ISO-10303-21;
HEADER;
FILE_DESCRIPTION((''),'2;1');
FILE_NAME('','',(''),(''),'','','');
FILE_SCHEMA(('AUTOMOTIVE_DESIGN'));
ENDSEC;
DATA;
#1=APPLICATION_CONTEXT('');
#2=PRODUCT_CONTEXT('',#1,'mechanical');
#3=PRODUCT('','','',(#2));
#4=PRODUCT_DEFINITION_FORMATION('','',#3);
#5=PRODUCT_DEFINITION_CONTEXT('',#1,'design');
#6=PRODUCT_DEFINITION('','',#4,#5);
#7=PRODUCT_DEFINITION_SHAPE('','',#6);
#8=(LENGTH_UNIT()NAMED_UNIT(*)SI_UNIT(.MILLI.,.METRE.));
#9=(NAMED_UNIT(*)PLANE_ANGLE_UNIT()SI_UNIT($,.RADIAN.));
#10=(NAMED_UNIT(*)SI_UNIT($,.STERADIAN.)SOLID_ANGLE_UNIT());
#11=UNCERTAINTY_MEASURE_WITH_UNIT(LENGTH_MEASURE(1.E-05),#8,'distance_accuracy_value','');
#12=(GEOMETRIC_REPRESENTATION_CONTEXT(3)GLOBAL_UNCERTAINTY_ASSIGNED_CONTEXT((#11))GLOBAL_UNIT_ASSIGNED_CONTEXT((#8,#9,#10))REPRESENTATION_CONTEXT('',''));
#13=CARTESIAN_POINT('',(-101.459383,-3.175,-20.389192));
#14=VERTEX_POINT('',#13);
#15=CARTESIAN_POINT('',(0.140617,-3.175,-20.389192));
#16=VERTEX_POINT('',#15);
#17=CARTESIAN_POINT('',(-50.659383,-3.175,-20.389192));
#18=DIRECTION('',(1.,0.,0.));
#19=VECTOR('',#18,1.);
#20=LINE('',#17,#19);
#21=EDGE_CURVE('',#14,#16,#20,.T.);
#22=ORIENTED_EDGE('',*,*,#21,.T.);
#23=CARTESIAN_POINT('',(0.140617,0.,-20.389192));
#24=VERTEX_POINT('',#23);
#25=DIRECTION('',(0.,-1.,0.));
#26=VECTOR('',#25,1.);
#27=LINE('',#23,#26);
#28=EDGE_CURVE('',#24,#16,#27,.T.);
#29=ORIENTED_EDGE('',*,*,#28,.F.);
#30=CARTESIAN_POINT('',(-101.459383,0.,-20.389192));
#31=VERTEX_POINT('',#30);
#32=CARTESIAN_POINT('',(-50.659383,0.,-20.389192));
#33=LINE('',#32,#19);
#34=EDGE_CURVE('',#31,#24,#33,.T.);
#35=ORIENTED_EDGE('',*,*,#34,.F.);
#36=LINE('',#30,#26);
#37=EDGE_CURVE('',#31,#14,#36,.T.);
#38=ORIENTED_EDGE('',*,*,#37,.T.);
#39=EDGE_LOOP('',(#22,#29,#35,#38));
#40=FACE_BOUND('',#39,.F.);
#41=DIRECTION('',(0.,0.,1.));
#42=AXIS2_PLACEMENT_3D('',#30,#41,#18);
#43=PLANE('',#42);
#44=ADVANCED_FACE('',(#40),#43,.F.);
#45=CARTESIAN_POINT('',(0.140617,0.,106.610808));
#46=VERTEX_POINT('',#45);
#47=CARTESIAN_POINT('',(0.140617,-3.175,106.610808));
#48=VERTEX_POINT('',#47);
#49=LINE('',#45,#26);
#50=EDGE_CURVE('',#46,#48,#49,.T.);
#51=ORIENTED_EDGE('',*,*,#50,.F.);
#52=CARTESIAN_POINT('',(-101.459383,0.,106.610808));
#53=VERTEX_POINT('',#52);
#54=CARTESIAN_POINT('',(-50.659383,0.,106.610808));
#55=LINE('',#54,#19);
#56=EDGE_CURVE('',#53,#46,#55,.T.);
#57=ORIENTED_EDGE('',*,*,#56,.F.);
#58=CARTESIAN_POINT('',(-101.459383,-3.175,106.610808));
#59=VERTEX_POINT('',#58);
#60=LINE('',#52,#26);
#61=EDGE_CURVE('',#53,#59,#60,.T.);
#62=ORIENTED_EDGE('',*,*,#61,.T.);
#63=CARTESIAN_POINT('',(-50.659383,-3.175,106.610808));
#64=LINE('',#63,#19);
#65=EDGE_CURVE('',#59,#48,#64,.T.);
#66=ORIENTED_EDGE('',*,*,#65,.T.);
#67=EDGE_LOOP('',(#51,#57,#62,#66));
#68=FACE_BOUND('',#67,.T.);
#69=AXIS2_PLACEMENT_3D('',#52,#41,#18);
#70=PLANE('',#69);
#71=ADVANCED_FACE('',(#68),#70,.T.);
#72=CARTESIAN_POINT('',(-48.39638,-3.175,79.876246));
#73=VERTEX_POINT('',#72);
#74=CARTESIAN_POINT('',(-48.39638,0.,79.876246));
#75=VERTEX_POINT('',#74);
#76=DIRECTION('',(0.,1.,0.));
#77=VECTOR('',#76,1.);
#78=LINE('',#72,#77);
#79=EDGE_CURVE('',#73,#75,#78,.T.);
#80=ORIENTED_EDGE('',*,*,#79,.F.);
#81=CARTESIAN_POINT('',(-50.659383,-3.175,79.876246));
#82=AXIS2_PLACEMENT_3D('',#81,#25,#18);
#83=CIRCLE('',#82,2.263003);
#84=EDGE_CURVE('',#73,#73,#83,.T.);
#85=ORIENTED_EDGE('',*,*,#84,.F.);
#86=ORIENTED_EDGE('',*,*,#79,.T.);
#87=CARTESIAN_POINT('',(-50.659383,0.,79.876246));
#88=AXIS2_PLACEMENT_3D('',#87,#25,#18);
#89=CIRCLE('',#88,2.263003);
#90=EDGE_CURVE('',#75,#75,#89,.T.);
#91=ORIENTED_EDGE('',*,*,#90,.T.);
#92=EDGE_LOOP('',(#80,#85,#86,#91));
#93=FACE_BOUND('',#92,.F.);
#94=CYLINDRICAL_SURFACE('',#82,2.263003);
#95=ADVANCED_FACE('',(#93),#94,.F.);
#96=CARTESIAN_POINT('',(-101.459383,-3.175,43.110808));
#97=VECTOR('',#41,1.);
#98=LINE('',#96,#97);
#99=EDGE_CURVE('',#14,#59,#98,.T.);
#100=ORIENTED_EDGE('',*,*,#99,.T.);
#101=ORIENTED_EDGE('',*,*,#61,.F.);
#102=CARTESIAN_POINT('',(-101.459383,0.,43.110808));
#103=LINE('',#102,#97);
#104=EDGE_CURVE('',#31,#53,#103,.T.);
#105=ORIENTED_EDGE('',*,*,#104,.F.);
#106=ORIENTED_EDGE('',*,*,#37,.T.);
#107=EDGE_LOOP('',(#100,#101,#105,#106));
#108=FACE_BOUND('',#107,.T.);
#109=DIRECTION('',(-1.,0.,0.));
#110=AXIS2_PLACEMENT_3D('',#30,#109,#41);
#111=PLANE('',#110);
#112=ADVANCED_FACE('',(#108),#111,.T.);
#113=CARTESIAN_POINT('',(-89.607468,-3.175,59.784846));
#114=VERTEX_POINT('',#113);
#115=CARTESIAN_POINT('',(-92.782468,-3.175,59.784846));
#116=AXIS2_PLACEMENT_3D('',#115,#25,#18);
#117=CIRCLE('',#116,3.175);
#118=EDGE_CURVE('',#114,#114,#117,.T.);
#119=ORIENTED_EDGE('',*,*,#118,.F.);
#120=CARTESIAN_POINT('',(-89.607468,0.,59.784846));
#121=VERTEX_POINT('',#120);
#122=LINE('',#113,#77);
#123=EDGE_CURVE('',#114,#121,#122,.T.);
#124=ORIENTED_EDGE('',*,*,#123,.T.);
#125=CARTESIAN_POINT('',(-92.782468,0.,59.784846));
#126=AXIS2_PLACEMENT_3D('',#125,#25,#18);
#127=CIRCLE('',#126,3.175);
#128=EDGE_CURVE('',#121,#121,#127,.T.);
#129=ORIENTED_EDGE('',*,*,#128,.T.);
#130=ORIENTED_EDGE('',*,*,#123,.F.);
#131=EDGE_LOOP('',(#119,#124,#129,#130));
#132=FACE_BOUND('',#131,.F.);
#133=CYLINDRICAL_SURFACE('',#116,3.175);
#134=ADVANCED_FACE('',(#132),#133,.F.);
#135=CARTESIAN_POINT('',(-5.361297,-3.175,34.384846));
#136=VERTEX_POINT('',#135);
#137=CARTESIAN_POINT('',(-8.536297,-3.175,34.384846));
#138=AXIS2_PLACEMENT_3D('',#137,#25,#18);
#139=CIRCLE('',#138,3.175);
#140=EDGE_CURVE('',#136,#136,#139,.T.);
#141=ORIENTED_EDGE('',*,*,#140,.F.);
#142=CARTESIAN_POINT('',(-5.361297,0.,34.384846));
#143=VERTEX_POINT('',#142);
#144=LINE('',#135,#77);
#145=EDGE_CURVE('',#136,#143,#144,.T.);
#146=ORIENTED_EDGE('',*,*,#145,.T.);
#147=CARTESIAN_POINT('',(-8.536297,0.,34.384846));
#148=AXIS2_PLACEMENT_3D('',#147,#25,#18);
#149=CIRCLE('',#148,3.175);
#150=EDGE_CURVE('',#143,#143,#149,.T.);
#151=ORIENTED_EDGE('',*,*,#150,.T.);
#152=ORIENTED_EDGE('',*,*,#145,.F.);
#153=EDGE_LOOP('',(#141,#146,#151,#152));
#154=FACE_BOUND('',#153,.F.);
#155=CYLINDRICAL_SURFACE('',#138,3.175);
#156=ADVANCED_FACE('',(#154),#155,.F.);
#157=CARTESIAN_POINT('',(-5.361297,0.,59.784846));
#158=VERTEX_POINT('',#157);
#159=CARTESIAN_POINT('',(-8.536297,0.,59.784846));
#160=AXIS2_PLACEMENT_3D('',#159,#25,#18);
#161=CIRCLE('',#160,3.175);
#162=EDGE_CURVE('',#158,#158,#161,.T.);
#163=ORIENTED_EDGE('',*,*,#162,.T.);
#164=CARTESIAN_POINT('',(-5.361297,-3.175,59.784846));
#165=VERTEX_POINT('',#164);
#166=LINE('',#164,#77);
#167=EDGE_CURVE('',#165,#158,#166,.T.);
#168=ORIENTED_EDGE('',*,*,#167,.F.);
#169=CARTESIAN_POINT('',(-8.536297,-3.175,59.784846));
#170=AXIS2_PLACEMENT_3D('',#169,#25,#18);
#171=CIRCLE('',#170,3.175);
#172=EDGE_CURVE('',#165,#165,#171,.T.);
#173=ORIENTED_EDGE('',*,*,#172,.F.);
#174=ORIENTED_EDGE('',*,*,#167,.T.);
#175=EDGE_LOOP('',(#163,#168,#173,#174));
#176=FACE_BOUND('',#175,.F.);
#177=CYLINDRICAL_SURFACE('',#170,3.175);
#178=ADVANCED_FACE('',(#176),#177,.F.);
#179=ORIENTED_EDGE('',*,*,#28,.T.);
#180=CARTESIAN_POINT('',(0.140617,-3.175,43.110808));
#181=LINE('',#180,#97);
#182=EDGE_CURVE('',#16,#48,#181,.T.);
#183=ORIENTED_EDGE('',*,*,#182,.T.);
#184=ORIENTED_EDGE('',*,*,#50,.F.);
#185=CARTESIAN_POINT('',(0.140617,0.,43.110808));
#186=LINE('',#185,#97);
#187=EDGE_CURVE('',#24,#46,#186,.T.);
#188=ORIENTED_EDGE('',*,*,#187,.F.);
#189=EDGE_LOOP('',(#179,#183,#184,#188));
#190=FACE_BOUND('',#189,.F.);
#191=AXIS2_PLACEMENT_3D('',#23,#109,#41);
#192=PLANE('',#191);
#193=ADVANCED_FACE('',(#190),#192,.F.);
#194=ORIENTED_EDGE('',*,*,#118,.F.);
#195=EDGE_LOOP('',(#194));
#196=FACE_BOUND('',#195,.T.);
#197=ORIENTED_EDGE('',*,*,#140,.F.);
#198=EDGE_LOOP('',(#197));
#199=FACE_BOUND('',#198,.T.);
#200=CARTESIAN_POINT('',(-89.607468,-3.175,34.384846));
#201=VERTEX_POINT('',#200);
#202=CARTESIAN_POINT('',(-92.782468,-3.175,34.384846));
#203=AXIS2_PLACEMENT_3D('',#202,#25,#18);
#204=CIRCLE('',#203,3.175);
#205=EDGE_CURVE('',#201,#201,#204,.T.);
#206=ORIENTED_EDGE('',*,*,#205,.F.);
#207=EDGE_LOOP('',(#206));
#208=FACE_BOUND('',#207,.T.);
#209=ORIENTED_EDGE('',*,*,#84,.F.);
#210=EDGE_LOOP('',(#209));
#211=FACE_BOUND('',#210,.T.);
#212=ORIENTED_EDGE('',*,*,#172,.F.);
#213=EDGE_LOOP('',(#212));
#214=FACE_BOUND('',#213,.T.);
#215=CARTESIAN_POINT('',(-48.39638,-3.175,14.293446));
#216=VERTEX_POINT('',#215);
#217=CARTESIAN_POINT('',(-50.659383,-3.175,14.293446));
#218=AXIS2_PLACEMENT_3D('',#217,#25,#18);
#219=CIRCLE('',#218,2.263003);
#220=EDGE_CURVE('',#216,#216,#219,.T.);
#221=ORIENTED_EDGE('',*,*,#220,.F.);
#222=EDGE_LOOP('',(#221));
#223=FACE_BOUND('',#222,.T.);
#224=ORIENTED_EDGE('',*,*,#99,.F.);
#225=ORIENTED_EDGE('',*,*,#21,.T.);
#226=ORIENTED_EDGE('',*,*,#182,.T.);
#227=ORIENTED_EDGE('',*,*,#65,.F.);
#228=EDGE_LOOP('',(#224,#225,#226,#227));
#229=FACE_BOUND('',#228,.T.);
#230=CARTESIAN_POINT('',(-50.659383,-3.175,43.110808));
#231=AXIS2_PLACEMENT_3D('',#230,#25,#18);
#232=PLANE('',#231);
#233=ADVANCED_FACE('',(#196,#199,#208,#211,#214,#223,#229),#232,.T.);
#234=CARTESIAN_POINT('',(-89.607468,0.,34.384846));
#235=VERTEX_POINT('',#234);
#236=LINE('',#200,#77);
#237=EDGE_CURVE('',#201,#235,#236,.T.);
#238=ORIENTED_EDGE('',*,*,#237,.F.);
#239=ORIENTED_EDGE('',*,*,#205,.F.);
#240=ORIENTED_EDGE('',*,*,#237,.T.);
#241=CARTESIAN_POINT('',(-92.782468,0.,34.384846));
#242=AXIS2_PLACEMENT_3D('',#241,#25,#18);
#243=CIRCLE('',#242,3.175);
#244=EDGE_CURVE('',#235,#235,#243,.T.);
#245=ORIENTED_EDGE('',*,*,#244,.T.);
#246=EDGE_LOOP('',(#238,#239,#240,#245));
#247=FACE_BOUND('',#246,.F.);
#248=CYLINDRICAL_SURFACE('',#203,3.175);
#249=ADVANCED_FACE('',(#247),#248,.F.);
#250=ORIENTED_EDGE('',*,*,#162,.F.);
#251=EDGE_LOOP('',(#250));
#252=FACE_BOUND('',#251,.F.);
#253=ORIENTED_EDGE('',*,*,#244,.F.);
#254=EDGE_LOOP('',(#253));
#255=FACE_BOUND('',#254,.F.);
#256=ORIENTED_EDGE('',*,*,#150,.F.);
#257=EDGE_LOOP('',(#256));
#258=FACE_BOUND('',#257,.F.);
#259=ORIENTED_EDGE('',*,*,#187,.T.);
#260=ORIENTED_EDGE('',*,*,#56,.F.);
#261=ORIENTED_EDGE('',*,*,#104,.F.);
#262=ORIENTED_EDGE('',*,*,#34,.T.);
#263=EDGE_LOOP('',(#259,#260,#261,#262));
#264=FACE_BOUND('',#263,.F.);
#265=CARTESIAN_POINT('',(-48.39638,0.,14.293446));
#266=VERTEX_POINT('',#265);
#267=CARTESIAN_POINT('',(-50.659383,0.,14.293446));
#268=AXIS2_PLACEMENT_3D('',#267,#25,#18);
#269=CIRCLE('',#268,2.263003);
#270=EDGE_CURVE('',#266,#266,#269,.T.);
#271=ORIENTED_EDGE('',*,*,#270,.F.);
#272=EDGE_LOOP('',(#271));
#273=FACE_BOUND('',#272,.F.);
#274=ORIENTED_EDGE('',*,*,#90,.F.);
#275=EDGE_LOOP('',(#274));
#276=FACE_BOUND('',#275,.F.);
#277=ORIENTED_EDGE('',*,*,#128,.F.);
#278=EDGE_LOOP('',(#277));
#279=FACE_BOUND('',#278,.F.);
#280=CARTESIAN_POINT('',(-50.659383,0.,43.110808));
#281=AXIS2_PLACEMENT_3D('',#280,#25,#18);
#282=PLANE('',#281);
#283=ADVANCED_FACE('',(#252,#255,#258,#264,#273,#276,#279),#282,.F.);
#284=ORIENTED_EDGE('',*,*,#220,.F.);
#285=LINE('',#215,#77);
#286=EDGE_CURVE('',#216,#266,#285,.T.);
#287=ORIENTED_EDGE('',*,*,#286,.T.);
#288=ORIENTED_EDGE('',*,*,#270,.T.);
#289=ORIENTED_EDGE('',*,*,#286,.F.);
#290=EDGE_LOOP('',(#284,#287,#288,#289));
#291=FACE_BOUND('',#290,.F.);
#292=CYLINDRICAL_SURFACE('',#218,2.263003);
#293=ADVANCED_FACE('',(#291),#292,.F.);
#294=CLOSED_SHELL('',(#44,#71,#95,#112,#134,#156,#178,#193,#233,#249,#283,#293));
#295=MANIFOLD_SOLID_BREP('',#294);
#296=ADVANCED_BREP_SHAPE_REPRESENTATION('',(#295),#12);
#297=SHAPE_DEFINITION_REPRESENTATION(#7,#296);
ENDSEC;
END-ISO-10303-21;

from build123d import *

# Parameters (mm, degrees)
F0_W     = 101.6
F0_H     = 127
F1_DEPTH = 3.175
F2_R     = 2.263003
F3_DEPTH = 3.176
F4_R     = 3.175
F5_DEPTH = 3.176


with BuildPart() as f1:
    # F0 (on Front) → F1 (new body)
    with BuildSketch(Plane.XZ):
        with Locations((-50.659383, 43.110808)):
            Rectangle(F0_W, F0_H)
    extrude(amount=F1_DEPTH)

    # F2 (on face) → F3 (cut, through all)
    with BuildSketch(Plane.XZ.offset(3.175)):
        with Locations((-50.659383, 79.876246)):
            Circle(F2_R)
        with Locations((-50.659383, 14.293446)):
            Circle(F2_R)
    extrude(amount=-F3_DEPTH, mode=Mode.SUBTRACT)

    # F4 (on face) → F5 (cut, through all)
    with BuildSketch(Plane.XZ.offset(3.175)):
        with Locations((-92.782468, 59.784846)):
            Circle(F4_R)
        with Locations((-92.782468, 34.384846)):
            Circle(F4_R)
        with Locations((-8.536297, 34.384846)):
            Circle(F4_R)
        with Locations((-8.536297, 59.784846)):
            Circle(F4_R)
    extrude(amount=-F5_DEPTH, mode=Mode.SUBTRACT)


solid = f1.part
